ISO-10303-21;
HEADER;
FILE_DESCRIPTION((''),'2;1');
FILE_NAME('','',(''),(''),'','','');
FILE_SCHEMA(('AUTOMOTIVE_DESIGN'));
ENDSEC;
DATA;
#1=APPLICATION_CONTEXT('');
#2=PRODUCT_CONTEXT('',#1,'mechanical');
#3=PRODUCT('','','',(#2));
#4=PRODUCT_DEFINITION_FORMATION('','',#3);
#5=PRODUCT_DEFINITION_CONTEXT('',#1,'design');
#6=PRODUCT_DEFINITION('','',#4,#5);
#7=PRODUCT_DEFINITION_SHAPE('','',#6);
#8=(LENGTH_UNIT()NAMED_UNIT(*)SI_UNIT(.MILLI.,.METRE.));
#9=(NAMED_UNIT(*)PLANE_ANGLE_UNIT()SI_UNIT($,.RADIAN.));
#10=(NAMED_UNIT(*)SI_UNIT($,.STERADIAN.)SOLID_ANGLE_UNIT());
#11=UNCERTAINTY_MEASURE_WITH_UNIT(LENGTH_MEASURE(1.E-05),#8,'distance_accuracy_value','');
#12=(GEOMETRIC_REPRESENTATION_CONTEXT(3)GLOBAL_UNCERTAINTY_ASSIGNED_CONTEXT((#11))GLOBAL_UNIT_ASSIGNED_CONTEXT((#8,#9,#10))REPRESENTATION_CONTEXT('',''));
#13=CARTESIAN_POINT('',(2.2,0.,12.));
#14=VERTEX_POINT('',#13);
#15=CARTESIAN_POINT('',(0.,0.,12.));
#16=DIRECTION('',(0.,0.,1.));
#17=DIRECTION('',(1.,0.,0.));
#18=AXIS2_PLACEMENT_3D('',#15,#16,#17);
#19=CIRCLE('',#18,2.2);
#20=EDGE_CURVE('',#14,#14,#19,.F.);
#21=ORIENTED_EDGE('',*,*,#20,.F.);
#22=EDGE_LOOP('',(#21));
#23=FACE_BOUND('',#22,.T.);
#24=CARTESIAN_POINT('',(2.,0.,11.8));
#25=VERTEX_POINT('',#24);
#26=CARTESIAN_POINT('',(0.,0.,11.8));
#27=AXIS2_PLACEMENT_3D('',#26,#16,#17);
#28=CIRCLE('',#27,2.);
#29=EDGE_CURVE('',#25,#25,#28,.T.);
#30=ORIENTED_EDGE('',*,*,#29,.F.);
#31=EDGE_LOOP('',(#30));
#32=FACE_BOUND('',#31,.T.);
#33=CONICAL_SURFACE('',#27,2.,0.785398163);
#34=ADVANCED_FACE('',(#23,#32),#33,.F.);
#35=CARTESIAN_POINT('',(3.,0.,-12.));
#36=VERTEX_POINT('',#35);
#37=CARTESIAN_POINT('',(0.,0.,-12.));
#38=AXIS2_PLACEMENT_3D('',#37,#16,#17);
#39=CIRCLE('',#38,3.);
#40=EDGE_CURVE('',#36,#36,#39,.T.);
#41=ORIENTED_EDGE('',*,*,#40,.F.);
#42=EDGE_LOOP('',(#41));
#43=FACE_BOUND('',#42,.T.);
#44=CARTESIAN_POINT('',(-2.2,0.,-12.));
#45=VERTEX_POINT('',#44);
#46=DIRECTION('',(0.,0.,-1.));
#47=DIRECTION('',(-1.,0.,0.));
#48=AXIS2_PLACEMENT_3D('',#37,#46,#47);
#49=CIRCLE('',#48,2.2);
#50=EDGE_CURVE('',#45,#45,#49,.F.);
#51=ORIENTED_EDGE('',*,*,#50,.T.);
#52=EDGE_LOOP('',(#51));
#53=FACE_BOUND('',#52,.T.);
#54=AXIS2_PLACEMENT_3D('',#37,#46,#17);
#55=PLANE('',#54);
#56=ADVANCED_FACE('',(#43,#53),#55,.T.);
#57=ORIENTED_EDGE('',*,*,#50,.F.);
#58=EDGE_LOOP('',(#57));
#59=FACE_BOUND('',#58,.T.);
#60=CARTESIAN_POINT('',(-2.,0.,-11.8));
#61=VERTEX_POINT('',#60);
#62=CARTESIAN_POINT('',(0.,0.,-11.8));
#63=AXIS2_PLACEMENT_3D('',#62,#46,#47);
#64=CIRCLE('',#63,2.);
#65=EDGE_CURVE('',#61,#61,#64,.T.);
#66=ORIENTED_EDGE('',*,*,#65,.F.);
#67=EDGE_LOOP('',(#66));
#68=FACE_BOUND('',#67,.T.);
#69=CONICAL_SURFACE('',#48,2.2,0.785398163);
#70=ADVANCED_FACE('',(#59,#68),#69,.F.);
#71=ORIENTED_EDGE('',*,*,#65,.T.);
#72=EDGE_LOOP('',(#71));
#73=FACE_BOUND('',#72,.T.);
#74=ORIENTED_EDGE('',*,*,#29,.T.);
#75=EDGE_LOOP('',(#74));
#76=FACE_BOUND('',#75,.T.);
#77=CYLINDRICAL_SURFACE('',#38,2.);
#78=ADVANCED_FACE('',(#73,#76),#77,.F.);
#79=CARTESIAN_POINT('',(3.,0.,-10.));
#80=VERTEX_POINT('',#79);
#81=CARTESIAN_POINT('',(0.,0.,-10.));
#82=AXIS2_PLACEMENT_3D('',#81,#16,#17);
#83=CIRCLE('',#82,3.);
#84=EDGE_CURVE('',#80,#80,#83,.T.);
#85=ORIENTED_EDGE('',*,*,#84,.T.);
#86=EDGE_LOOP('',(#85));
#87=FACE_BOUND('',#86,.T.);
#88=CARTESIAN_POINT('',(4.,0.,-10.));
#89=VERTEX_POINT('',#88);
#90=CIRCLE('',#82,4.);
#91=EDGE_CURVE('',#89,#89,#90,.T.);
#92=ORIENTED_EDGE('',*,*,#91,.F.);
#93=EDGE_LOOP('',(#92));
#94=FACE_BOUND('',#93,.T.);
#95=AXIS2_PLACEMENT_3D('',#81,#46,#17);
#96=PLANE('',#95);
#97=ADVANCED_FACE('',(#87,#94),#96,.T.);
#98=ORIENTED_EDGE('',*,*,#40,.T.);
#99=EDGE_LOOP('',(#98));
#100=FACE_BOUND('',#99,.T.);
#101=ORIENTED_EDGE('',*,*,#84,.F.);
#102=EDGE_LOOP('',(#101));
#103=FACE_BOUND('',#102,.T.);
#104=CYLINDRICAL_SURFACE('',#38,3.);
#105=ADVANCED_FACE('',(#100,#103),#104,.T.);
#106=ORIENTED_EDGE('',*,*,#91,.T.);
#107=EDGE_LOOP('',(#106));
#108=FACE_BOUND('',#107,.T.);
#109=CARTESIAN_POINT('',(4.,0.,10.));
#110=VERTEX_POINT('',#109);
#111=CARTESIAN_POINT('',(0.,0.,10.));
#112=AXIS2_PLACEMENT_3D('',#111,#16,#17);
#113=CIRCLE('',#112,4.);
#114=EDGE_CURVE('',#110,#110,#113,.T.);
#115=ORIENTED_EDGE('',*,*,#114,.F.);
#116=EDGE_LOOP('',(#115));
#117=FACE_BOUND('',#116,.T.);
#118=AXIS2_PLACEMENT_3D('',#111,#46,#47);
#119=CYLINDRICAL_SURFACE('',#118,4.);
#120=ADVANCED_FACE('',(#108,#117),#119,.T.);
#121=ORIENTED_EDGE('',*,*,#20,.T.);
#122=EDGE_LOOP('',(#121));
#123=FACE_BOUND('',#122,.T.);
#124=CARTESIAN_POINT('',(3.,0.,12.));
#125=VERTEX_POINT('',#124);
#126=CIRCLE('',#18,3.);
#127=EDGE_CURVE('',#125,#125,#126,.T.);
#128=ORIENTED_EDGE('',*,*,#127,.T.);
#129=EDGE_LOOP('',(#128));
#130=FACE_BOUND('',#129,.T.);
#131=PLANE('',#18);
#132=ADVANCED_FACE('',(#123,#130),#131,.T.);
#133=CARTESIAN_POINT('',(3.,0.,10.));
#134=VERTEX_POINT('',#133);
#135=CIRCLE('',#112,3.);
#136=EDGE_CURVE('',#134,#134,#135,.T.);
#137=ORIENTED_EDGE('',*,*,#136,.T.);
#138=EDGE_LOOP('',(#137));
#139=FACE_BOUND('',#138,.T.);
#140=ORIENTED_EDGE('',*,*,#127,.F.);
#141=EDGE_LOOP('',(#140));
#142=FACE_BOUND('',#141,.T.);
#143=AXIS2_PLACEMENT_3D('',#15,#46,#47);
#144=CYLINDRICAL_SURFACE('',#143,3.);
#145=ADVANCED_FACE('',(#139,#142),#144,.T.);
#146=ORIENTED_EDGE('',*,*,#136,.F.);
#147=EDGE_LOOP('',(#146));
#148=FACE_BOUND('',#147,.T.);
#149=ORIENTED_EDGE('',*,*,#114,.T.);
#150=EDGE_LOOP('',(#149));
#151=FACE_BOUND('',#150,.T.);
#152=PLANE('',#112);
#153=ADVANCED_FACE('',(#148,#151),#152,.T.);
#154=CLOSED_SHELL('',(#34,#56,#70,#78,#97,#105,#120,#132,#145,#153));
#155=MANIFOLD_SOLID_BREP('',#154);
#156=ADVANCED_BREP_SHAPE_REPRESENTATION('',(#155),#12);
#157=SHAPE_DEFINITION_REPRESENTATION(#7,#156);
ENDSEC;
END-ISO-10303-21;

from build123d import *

# Parameters (mm, degrees)
SKETCH1_R           = 4
BOSS_EXTRUDE1_DEPTH = 10
SKETCH2_R           = 3
BOSS_EXTRUDE2_DEPTH = 2
SKETCH3_R           = 2
CUT_EXTRUDE1_DEPTH  = 25
CHAMFER1_SIZE       = 0.2


with BuildPart() as part:
    # Sketch1 → Boss-Extrude1 (new body)
    with BuildSketch(Plane.XY):
        Circle(SKETCH1_R)
    boss_extrude1 = extrude(amount=BOSS_EXTRUDE1_DEPTH)

    # Sketch2 → Boss-Extrude2 (add)
    with BuildSketch(Plane.XY.offset(10)):
        Circle(SKETCH2_R)
    boss_extrude2 = extrude(amount=BOSS_EXTRUDE2_DEPTH)

    # Mirror1: Boss-Extrude1, Boss-Extrude2 across plane
    add(boss_extrude1.mirror(Plane.XY))
    add(boss_extrude2.mirror(Plane.XY))

    # Sketch3 → Cut-Extrude1 (cut, through all)
    with BuildSketch(Plane.XY.offset(12)):
        Circle(SKETCH3_R)
    extrude(amount=-CUT_EXTRUDE1_DEPTH, mode=Mode.SUBTRACT)

    # Chamfer1
    chamfer1_edges = [part.edges().sort_by_distance(p)[0] for p in [
        (-2, 0, -12),
        (-2, 0, 12),
    ]]
    chamfer(chamfer1_edges, length=CHAMFER1_SIZE)


solid = part.part
